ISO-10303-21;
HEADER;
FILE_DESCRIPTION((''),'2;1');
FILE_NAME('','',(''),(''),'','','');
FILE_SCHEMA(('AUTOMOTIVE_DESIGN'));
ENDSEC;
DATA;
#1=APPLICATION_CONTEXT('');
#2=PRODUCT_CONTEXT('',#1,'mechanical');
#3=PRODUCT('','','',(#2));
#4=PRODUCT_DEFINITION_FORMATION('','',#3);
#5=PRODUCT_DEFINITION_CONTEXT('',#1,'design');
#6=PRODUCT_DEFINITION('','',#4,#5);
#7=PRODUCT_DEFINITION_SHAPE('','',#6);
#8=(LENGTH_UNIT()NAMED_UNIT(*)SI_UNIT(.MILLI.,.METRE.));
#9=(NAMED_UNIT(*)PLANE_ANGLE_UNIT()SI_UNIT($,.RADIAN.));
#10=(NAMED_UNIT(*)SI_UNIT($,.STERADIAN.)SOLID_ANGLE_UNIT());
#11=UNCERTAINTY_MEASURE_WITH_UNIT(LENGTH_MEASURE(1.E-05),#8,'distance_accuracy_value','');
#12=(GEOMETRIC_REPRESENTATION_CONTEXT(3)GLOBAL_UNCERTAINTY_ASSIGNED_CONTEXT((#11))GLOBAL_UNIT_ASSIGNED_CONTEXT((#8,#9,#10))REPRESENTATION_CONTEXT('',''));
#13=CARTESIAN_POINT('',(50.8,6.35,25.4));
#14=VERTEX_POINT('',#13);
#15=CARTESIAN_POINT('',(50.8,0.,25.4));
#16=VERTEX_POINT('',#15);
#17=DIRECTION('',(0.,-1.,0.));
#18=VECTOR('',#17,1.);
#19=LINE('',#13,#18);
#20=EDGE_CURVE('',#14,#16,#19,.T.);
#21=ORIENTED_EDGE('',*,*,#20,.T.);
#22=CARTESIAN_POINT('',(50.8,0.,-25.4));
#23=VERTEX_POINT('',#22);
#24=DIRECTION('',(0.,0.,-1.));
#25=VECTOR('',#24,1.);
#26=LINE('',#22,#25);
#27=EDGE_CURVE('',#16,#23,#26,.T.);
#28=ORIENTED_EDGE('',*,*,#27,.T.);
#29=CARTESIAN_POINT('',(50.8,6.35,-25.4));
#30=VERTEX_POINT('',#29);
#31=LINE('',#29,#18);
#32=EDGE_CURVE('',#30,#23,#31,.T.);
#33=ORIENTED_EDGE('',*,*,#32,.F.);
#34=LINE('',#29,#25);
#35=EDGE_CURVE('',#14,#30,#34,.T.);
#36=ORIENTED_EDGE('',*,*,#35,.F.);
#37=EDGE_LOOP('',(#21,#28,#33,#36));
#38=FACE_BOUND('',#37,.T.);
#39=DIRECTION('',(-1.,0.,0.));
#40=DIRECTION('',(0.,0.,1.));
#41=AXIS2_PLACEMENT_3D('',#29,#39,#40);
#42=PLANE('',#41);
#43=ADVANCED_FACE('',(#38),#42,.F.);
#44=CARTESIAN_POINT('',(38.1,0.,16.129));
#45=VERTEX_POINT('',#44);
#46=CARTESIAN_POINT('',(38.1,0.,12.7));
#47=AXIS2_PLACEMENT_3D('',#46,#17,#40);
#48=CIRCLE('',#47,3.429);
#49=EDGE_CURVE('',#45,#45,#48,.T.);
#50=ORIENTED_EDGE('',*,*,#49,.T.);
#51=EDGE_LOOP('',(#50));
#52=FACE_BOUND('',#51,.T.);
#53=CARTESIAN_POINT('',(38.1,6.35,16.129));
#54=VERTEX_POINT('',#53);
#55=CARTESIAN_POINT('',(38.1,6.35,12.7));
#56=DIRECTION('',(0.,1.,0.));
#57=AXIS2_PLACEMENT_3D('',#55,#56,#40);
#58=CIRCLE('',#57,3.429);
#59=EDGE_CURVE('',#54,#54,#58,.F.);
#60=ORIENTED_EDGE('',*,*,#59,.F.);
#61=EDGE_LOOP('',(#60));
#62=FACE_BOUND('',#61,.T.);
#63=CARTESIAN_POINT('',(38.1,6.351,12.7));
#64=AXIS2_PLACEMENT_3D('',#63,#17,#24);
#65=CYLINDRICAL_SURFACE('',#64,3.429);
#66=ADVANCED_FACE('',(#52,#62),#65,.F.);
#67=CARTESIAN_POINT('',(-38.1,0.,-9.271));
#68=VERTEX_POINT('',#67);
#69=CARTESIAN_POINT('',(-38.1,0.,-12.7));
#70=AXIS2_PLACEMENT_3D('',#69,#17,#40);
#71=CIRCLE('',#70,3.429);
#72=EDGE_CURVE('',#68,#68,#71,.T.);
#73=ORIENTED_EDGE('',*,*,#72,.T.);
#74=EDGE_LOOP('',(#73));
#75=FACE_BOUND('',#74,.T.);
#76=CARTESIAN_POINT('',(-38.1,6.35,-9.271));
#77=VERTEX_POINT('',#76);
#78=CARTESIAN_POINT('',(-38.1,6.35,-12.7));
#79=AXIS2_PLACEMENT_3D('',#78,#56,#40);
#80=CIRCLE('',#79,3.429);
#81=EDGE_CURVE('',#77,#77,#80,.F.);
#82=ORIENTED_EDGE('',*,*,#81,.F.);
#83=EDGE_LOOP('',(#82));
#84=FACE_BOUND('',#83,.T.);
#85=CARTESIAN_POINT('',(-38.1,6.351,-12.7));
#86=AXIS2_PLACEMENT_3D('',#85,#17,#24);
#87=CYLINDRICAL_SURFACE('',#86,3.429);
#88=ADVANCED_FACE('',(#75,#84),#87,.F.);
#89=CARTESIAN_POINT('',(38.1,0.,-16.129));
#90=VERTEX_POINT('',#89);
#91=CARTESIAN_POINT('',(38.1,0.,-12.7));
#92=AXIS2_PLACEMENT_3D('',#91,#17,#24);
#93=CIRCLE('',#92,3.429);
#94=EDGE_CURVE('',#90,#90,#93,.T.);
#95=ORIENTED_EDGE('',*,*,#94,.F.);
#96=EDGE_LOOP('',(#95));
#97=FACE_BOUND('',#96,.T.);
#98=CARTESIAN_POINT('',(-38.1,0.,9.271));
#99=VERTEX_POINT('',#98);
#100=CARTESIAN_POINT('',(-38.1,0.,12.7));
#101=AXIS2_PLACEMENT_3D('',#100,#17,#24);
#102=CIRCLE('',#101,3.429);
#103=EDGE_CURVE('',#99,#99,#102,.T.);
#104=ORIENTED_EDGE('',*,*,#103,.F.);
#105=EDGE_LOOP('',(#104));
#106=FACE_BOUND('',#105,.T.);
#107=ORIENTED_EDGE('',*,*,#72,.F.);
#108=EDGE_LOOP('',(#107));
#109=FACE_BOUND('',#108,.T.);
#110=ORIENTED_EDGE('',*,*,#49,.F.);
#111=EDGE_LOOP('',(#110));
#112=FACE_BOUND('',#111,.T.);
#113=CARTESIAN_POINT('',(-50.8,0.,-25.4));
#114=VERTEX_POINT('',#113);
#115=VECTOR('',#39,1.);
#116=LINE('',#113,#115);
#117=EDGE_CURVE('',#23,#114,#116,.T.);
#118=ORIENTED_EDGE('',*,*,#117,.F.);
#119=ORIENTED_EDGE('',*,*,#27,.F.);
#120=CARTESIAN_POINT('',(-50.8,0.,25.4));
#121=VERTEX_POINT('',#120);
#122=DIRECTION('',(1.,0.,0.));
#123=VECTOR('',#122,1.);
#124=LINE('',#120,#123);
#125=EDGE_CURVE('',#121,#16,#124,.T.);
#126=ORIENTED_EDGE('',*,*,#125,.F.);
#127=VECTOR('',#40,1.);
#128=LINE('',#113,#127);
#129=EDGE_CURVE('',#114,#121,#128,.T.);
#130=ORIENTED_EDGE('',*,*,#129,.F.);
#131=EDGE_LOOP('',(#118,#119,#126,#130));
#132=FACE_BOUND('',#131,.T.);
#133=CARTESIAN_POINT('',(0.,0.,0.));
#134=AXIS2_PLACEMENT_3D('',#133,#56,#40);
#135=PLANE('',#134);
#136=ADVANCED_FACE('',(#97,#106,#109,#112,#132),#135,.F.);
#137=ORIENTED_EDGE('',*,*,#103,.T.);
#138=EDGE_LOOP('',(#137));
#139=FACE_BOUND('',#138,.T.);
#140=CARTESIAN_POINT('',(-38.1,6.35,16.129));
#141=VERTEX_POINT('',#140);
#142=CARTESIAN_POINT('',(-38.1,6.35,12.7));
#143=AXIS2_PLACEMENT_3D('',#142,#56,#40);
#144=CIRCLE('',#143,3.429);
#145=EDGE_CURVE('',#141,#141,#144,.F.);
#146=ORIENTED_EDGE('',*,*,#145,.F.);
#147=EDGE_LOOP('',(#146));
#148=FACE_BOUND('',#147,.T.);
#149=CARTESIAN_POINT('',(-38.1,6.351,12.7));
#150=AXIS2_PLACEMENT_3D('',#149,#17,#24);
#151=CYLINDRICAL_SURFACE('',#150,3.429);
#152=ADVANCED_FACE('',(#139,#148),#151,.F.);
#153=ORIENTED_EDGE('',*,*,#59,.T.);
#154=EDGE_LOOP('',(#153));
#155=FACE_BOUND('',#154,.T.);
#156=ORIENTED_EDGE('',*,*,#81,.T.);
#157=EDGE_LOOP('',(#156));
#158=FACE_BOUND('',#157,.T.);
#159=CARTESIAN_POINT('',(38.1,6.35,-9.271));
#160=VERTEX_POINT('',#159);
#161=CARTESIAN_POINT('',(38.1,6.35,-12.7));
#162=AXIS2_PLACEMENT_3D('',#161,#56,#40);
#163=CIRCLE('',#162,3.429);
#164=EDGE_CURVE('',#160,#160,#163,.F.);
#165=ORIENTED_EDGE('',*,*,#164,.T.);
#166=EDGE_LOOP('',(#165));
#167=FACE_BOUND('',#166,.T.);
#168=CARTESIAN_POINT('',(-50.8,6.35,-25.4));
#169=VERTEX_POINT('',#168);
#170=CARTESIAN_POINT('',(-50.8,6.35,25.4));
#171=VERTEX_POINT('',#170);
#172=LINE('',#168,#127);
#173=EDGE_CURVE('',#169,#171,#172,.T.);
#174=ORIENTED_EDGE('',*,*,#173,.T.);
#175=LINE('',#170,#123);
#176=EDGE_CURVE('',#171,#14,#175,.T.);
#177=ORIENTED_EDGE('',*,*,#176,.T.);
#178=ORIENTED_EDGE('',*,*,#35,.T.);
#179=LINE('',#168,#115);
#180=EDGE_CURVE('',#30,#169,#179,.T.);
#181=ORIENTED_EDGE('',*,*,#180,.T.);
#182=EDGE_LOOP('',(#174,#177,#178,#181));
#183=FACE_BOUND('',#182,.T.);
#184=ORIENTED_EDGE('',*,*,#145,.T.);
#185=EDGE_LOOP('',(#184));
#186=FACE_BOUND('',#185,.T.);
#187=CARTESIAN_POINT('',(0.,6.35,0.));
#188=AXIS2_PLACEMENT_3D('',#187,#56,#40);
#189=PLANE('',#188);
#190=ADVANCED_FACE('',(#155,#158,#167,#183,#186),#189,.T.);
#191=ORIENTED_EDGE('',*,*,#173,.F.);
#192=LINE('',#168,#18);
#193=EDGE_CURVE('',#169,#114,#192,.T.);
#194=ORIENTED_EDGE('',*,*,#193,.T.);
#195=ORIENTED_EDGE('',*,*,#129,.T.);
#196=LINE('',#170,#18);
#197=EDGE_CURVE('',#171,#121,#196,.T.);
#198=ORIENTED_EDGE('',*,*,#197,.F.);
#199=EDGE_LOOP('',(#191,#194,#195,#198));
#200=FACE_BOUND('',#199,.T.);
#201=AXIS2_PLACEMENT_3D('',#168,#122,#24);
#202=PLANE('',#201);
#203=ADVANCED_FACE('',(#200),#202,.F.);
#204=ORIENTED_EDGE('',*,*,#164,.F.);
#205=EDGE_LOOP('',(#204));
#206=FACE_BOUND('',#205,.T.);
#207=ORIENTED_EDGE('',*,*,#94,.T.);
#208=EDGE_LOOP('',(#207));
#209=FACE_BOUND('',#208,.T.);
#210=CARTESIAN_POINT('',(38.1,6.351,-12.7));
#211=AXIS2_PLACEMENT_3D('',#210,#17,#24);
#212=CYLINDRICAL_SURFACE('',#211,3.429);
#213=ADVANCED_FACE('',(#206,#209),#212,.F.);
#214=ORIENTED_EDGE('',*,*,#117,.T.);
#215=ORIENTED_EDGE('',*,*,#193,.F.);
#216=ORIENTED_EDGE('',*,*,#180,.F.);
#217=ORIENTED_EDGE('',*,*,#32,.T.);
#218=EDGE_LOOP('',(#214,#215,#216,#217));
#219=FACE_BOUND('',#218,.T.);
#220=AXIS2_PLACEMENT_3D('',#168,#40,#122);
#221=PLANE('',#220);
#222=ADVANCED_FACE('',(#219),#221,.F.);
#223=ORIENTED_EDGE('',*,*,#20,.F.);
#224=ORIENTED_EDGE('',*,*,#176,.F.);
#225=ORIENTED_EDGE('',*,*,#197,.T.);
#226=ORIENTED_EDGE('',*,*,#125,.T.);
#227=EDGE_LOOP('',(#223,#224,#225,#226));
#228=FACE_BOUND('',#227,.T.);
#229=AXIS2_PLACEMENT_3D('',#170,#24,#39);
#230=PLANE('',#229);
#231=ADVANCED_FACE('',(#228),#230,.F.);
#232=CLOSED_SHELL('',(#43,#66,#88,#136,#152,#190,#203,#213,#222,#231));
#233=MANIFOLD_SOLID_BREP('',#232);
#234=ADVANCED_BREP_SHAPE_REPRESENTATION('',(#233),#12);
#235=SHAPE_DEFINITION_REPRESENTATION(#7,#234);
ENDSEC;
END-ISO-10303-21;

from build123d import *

# Parameters (mm, degrees)
SKETCH1_W           = 101.6
SKETCH1_H           = 50.8
BOSS_EXTRUDE1_DEPTH = 6.35
CUT_EXTRUDE2_REACH  = 59.15
SKETCH3_R           = 3.429


with BuildPart() as part:
    # Sketch1 → Boss-Extrude1 (new body)
    with BuildSketch(Plane(origin=(0, 0, 0), x_dir=(1, 0, 0), z_dir=(0, 1, 0))):
        Rectangle(SKETCH1_W, SKETCH1_H)
    extrude(amount=BOSS_EXTRUDE1_DEPTH)

    # Sketch3 → Cut-Extrude2 (cut, up to next)
    with BuildSketch(Plane.XZ, mode=Mode.PRIVATE) as cut_extrude2_sk1:
        with Locations(Location((-38.1, 12.7, 0), (0, 0, 270))):
            Circle(SKETCH3_R)
    cut_extrude2_tool1 = extrude(cut_extrude2_sk1.sketch, amount=-CUT_EXTRUDE2_REACH, mode=Mode.PRIVATE) & part.part
    # Sketch3 → Cut-Extrude2 (cut, up to next)
    with BuildSketch(Plane.XZ, mode=Mode.PRIVATE) as cut_extrude2_sk2:
        with Locations(Location((-38.1, -12.7, 0), (0, 0, 90))):
            Circle(SKETCH3_R)
    cut_extrude2_tool2 = extrude(cut_extrude2_sk2.sketch, amount=-CUT_EXTRUDE2_REACH, mode=Mode.PRIVATE) & part.part
    # Sketch3 → Cut-Extrude2 (cut, up to next)
    with BuildSketch(Plane.XZ, mode=Mode.PRIVATE) as cut_extrude2_sk3:
        with Locations(Location((38.1, 12.7, 0), (0, 0, 90))):
            Circle(SKETCH3_R)
    cut_extrude2_tool3 = extrude(cut_extrude2_sk3.sketch, amount=-CUT_EXTRUDE2_REACH, mode=Mode.PRIVATE) & part.part
    # Sketch3 → Cut-Extrude2 (cut, up to next)
    with BuildSketch(Plane.XZ, mode=Mode.PRIVATE) as cut_extrude2_sk4:
        with Locations(Location((38.1, -12.7, 0), (0, 0, 270))):
            Circle(SKETCH3_R)
    cut_extrude2_tool4 = extrude(cut_extrude2_sk4.sketch, amount=-CUT_EXTRUDE2_REACH, mode=Mode.PRIVATE) & part.part
    add(cut_extrude2_tool1.solids().sort_by_distance((-38.1, 0, 12.7))[0], mode=Mode.SUBTRACT)
    add(cut_extrude2_tool2.solids().sort_by_distance((-38.1, 0, -12.7))[0], mode=Mode.SUBTRACT)
    add(cut_extrude2_tool3.solids().sort_by_distance((38.1, 0, 12.7))[0], mode=Mode.SUBTRACT)
    add(cut_extrude2_tool4.solids().sort_by_distance((38.1, 0, -12.7))[0], mode=Mode.SUBTRACT)


solid = part.part
